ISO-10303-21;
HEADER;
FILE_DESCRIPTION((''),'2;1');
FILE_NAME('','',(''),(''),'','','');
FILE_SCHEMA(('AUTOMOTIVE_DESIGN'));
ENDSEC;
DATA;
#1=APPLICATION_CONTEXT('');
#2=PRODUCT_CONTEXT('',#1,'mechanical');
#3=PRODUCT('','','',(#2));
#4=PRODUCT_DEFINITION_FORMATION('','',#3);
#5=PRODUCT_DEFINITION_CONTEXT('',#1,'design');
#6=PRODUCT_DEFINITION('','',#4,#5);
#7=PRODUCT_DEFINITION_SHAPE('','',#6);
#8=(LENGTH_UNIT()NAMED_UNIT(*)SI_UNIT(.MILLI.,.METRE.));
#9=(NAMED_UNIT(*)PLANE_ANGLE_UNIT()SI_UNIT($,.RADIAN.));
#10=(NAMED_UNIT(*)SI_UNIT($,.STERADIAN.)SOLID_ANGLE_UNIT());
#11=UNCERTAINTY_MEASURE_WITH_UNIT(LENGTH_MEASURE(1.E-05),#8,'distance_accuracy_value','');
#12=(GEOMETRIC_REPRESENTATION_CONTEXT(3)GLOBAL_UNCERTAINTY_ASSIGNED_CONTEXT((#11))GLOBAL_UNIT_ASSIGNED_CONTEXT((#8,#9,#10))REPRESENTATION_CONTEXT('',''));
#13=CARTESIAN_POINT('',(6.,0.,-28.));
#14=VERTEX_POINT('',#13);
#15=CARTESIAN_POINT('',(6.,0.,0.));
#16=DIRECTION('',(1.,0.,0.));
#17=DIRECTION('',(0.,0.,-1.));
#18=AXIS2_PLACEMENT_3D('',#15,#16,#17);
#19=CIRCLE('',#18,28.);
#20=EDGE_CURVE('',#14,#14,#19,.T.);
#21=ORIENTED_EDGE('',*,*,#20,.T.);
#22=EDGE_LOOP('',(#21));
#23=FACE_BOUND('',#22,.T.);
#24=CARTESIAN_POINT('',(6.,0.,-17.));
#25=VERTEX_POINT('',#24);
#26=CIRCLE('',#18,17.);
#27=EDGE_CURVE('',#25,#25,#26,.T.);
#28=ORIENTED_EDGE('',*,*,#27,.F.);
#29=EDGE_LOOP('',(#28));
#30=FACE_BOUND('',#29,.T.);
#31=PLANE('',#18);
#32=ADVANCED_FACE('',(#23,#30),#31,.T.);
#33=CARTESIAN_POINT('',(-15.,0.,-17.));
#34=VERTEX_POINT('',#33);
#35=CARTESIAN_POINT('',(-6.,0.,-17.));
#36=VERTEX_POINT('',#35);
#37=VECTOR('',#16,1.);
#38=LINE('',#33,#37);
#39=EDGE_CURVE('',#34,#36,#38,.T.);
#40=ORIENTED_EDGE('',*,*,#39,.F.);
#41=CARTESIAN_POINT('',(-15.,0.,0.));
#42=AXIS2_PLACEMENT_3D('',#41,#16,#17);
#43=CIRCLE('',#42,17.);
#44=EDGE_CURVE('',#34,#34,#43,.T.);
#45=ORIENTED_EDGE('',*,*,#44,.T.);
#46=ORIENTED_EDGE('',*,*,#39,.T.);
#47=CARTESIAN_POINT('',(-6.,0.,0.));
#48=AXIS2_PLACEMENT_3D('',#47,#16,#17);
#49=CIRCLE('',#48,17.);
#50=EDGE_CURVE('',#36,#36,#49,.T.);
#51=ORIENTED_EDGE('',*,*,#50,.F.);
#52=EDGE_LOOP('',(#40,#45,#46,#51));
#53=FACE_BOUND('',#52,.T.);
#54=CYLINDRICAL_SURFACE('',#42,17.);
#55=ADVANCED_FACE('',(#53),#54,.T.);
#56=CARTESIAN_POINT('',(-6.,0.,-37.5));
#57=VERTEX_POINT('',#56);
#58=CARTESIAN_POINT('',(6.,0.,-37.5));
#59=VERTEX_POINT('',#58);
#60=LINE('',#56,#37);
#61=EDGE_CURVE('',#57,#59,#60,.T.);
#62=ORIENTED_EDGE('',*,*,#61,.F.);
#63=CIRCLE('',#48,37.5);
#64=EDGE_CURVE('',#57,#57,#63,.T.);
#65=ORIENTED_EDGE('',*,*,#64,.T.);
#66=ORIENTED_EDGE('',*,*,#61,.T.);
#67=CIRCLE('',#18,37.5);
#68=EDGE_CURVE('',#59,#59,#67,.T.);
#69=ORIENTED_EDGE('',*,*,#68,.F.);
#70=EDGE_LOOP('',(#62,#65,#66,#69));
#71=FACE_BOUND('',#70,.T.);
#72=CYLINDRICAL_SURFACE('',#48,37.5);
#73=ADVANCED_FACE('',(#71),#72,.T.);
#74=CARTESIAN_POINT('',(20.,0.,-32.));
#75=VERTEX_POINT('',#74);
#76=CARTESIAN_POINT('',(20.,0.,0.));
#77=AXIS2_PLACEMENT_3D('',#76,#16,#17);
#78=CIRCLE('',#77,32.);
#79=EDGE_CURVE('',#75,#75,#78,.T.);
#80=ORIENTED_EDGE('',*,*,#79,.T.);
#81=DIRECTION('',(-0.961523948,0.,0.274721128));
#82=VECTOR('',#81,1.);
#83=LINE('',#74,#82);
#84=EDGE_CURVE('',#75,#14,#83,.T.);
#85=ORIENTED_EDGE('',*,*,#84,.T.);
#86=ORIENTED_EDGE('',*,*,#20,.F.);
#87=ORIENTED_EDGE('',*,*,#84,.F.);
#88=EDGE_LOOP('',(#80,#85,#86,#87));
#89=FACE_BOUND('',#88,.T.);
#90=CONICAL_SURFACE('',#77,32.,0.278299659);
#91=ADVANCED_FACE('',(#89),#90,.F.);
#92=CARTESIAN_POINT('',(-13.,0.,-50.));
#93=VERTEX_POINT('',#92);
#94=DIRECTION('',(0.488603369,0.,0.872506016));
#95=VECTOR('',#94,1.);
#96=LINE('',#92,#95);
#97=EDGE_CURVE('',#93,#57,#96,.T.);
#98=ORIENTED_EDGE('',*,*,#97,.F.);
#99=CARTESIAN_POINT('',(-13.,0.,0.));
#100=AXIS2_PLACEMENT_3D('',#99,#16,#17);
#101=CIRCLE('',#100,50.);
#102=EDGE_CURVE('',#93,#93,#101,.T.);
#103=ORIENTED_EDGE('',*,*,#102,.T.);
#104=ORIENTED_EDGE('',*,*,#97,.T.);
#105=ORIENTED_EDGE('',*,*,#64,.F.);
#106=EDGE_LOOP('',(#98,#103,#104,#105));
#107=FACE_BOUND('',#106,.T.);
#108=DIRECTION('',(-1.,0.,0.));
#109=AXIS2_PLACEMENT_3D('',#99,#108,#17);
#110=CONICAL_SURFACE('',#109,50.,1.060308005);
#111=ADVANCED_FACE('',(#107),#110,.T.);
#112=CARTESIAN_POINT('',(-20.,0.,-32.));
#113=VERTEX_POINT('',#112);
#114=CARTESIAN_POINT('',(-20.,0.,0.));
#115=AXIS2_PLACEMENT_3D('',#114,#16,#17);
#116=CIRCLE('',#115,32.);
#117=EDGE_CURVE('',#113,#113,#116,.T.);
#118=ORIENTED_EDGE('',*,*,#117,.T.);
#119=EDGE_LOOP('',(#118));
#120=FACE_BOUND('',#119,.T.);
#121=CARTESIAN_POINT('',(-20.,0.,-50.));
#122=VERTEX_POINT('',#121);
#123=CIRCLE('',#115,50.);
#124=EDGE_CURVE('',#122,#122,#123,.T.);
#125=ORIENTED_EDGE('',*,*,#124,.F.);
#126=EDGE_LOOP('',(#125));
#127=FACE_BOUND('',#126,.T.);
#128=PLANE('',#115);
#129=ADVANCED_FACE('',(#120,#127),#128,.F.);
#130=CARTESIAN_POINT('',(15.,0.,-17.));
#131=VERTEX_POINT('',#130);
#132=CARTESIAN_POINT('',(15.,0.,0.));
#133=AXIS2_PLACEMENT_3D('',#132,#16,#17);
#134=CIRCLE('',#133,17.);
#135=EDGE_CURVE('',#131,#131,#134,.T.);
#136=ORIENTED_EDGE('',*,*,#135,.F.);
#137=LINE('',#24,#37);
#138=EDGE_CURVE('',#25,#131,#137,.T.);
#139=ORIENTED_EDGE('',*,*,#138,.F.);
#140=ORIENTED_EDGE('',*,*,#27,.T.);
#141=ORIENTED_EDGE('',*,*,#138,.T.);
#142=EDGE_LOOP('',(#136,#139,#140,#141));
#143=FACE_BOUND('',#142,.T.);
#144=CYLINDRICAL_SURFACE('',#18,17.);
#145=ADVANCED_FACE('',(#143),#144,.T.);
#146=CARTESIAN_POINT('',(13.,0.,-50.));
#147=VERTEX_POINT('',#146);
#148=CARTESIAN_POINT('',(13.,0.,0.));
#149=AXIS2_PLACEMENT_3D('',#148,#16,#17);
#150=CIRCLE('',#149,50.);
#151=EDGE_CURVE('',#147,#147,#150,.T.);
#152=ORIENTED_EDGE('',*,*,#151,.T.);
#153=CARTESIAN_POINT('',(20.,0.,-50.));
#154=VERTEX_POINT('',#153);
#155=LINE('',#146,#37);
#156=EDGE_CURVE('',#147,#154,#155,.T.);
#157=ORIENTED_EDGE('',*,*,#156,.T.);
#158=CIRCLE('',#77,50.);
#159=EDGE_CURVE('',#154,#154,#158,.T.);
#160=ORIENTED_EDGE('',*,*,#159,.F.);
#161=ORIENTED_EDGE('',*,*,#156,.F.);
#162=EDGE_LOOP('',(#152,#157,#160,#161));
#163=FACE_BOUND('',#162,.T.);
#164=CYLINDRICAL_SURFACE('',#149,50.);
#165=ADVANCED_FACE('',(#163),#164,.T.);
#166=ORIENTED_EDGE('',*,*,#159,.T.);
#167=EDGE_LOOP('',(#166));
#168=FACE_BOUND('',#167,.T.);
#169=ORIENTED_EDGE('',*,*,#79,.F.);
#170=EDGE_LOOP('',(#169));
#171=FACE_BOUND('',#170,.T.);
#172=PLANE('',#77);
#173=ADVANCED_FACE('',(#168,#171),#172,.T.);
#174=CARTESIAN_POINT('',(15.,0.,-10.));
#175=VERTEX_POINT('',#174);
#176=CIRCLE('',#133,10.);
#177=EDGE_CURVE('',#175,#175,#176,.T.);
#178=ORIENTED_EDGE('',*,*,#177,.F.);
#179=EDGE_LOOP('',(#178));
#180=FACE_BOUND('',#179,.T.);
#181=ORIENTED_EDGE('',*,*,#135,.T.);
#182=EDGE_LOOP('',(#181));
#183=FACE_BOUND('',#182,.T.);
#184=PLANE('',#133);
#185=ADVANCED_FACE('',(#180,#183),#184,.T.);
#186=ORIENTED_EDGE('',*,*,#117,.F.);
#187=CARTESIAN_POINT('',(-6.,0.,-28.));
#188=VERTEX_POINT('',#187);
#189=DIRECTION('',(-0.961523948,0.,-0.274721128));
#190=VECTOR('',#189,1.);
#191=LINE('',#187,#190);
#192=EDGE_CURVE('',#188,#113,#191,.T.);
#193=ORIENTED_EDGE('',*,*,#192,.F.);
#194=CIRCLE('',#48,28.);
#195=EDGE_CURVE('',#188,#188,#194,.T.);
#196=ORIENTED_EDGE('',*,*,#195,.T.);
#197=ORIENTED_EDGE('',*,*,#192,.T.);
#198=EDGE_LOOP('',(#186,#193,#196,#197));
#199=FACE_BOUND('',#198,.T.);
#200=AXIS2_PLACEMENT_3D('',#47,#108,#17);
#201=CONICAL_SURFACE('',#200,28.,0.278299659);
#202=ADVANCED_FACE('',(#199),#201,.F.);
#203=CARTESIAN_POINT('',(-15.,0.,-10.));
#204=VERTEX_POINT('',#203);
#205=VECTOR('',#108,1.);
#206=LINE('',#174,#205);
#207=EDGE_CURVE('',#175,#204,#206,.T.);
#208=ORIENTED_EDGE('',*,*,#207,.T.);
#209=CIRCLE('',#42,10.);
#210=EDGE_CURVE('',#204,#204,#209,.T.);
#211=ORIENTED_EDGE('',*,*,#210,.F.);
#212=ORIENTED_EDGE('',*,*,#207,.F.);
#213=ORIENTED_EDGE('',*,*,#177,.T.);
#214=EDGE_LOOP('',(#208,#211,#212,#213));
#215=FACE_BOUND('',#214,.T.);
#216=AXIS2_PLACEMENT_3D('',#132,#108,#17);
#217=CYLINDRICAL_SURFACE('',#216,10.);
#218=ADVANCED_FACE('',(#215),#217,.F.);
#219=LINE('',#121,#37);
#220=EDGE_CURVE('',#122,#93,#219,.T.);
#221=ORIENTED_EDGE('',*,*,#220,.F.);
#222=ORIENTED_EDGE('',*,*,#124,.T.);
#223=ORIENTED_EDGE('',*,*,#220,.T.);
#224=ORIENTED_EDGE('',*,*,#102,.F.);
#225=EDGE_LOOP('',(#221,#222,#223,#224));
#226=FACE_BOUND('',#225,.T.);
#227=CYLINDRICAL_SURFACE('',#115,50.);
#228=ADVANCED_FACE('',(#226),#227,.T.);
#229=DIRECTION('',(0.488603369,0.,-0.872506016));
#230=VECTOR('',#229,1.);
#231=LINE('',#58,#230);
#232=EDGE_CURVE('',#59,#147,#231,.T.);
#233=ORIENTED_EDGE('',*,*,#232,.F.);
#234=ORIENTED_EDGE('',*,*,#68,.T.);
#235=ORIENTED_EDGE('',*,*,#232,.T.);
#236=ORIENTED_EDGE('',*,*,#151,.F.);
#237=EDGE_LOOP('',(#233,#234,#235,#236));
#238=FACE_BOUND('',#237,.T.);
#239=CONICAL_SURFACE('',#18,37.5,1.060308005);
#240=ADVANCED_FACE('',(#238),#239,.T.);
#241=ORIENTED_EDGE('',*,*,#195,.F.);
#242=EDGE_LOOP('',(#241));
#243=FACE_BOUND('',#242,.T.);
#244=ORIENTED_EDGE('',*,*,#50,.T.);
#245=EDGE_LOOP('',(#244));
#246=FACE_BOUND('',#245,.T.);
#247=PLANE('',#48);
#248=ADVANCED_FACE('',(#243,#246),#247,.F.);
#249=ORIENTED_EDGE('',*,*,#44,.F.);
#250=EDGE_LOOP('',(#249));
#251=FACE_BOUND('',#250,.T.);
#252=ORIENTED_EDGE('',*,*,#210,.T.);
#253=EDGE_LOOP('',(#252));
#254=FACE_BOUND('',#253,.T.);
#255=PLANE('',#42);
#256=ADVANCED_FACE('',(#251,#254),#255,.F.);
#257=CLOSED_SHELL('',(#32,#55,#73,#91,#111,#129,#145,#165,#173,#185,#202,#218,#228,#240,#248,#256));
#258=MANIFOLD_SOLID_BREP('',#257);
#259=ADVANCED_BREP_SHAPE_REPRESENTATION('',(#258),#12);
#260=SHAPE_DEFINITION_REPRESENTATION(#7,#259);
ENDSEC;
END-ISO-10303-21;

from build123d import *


with BuildPart() as f1:
    # F0 (on Front) → F1 (revolve)
    with BuildSketch(Plane.XZ):
        Polygon((-15, -10), (-15, -17), (-6, -17), (-6, -28), (-20, -32), (-20, -50), (-13, -50), (-6, -37.5), (6, -37.5), (13, -50), (20, -50), (20, -32), (6, -28), (6, -17), (15, -17), (15, -10), align=None)
    revolve(axis=Axis((2.55049, 0, 0), (1, 0, 0)))


solid = f1.part
